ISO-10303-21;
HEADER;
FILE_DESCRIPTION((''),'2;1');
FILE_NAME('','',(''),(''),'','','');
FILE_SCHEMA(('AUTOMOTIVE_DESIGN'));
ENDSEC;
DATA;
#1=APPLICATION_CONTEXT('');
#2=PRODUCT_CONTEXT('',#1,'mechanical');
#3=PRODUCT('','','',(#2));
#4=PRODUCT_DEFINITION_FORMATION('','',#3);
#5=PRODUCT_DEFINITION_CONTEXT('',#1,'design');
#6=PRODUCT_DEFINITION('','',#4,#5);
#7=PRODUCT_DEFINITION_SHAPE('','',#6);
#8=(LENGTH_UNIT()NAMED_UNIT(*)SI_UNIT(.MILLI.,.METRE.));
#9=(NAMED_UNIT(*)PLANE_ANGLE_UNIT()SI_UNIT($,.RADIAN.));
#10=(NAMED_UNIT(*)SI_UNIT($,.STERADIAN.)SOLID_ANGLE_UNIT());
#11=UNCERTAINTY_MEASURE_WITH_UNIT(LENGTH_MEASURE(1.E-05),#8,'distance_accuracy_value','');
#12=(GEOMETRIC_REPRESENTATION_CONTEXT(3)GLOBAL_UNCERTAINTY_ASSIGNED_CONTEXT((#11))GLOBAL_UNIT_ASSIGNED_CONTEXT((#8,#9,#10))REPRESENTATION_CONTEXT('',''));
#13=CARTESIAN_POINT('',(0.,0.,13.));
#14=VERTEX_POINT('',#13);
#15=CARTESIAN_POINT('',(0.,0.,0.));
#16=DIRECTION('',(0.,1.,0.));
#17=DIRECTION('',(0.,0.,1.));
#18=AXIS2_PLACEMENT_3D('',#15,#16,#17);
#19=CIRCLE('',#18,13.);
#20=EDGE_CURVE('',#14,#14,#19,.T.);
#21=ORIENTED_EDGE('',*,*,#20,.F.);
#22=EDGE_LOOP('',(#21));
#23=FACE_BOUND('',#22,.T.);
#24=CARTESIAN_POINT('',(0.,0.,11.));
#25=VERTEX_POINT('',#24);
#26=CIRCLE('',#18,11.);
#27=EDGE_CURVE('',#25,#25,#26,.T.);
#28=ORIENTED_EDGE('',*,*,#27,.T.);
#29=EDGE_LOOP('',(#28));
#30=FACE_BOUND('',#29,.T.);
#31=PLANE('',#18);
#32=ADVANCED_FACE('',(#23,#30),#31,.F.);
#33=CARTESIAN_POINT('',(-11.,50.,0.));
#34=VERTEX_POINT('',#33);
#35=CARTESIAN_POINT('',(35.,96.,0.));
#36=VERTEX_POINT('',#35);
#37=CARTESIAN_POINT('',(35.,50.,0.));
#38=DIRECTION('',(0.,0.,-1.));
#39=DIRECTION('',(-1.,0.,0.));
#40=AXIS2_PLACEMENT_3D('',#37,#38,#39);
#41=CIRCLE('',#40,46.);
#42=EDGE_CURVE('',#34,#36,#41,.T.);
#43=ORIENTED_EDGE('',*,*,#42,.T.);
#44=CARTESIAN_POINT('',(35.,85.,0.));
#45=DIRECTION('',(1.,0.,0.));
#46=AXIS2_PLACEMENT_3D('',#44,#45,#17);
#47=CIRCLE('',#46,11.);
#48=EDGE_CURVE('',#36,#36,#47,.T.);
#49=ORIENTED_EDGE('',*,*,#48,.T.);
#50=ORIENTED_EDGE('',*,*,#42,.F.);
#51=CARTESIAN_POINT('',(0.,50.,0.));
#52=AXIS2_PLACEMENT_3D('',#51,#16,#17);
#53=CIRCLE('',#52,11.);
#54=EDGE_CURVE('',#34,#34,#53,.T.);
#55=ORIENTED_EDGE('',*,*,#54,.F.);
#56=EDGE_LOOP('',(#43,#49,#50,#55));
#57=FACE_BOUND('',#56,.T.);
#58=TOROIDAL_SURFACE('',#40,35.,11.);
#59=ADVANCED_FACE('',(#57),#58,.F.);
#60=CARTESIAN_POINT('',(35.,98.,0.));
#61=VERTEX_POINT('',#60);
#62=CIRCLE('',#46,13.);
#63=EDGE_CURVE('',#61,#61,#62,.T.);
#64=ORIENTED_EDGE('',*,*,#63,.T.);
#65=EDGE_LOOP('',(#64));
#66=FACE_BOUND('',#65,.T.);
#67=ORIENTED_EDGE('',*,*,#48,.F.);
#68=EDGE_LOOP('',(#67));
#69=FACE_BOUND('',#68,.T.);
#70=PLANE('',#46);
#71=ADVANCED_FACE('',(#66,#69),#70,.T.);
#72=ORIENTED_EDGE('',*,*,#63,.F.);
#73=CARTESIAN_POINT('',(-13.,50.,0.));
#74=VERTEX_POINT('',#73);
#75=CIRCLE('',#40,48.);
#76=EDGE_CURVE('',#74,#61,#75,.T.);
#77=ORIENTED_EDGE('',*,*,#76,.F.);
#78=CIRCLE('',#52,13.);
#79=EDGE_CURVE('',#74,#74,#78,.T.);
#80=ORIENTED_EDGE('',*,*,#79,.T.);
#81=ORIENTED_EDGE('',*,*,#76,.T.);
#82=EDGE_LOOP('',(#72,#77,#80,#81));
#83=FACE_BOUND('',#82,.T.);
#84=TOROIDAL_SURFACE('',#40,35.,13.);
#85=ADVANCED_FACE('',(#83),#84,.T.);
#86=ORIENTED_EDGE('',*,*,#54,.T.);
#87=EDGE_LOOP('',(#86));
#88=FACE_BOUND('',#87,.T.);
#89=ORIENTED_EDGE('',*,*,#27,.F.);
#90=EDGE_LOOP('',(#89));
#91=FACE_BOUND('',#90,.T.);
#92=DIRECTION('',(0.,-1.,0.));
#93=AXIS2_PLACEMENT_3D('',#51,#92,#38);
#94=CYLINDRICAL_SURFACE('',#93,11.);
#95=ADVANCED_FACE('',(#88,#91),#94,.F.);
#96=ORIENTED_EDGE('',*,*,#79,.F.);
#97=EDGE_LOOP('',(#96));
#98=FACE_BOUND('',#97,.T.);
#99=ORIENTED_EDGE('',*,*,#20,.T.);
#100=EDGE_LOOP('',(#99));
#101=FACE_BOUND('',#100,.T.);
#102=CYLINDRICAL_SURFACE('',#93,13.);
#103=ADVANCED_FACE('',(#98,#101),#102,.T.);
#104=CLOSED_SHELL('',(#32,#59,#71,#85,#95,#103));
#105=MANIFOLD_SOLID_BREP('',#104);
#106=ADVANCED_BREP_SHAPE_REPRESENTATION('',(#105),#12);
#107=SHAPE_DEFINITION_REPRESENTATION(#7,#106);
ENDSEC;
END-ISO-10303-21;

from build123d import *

# Parameters (mm, degrees)
SKETCH1_R = 13
SKETCH3_R = 11


with BuildPart() as part:
    # Sweep1: sweep along a path in Sketch2
    with BuildLine(Plane.XY) as sweep1_path:
        Line((0, 0), (0, 50))
        ThreePointArc((0, 50), (10.251262658, 74.748737342), (35, 85))
    # Sketch1 → Sweep1 (sweep)
    with BuildSketch(Plane(origin=(0, 0, 0), x_dir=(1, 0, 0), z_dir=(0, 1, 0))):
        Circle(SKETCH1_R)
    sweep(path=sweep1_path.line)

    # Cut-Sweep1: sweep along a path in Sketch2<2>
    with BuildLine(Plane.XY) as cut_sweep1_path:
        Line((0, 0), (0, 50))
        ThreePointArc((0, 50), (10.251262658, 74.748737342), (35, 85))
    # Sketch3 → Cut-Sweep1 (sweep, cut)
    with BuildSketch(Plane(origin=(0, 0, 0), x_dir=(1, 0, 0), z_dir=(0, 1, 0))):
        Circle(SKETCH3_R)
    sweep(path=cut_sweep1_path.line, mode=Mode.SUBTRACT)


solid = part.part
